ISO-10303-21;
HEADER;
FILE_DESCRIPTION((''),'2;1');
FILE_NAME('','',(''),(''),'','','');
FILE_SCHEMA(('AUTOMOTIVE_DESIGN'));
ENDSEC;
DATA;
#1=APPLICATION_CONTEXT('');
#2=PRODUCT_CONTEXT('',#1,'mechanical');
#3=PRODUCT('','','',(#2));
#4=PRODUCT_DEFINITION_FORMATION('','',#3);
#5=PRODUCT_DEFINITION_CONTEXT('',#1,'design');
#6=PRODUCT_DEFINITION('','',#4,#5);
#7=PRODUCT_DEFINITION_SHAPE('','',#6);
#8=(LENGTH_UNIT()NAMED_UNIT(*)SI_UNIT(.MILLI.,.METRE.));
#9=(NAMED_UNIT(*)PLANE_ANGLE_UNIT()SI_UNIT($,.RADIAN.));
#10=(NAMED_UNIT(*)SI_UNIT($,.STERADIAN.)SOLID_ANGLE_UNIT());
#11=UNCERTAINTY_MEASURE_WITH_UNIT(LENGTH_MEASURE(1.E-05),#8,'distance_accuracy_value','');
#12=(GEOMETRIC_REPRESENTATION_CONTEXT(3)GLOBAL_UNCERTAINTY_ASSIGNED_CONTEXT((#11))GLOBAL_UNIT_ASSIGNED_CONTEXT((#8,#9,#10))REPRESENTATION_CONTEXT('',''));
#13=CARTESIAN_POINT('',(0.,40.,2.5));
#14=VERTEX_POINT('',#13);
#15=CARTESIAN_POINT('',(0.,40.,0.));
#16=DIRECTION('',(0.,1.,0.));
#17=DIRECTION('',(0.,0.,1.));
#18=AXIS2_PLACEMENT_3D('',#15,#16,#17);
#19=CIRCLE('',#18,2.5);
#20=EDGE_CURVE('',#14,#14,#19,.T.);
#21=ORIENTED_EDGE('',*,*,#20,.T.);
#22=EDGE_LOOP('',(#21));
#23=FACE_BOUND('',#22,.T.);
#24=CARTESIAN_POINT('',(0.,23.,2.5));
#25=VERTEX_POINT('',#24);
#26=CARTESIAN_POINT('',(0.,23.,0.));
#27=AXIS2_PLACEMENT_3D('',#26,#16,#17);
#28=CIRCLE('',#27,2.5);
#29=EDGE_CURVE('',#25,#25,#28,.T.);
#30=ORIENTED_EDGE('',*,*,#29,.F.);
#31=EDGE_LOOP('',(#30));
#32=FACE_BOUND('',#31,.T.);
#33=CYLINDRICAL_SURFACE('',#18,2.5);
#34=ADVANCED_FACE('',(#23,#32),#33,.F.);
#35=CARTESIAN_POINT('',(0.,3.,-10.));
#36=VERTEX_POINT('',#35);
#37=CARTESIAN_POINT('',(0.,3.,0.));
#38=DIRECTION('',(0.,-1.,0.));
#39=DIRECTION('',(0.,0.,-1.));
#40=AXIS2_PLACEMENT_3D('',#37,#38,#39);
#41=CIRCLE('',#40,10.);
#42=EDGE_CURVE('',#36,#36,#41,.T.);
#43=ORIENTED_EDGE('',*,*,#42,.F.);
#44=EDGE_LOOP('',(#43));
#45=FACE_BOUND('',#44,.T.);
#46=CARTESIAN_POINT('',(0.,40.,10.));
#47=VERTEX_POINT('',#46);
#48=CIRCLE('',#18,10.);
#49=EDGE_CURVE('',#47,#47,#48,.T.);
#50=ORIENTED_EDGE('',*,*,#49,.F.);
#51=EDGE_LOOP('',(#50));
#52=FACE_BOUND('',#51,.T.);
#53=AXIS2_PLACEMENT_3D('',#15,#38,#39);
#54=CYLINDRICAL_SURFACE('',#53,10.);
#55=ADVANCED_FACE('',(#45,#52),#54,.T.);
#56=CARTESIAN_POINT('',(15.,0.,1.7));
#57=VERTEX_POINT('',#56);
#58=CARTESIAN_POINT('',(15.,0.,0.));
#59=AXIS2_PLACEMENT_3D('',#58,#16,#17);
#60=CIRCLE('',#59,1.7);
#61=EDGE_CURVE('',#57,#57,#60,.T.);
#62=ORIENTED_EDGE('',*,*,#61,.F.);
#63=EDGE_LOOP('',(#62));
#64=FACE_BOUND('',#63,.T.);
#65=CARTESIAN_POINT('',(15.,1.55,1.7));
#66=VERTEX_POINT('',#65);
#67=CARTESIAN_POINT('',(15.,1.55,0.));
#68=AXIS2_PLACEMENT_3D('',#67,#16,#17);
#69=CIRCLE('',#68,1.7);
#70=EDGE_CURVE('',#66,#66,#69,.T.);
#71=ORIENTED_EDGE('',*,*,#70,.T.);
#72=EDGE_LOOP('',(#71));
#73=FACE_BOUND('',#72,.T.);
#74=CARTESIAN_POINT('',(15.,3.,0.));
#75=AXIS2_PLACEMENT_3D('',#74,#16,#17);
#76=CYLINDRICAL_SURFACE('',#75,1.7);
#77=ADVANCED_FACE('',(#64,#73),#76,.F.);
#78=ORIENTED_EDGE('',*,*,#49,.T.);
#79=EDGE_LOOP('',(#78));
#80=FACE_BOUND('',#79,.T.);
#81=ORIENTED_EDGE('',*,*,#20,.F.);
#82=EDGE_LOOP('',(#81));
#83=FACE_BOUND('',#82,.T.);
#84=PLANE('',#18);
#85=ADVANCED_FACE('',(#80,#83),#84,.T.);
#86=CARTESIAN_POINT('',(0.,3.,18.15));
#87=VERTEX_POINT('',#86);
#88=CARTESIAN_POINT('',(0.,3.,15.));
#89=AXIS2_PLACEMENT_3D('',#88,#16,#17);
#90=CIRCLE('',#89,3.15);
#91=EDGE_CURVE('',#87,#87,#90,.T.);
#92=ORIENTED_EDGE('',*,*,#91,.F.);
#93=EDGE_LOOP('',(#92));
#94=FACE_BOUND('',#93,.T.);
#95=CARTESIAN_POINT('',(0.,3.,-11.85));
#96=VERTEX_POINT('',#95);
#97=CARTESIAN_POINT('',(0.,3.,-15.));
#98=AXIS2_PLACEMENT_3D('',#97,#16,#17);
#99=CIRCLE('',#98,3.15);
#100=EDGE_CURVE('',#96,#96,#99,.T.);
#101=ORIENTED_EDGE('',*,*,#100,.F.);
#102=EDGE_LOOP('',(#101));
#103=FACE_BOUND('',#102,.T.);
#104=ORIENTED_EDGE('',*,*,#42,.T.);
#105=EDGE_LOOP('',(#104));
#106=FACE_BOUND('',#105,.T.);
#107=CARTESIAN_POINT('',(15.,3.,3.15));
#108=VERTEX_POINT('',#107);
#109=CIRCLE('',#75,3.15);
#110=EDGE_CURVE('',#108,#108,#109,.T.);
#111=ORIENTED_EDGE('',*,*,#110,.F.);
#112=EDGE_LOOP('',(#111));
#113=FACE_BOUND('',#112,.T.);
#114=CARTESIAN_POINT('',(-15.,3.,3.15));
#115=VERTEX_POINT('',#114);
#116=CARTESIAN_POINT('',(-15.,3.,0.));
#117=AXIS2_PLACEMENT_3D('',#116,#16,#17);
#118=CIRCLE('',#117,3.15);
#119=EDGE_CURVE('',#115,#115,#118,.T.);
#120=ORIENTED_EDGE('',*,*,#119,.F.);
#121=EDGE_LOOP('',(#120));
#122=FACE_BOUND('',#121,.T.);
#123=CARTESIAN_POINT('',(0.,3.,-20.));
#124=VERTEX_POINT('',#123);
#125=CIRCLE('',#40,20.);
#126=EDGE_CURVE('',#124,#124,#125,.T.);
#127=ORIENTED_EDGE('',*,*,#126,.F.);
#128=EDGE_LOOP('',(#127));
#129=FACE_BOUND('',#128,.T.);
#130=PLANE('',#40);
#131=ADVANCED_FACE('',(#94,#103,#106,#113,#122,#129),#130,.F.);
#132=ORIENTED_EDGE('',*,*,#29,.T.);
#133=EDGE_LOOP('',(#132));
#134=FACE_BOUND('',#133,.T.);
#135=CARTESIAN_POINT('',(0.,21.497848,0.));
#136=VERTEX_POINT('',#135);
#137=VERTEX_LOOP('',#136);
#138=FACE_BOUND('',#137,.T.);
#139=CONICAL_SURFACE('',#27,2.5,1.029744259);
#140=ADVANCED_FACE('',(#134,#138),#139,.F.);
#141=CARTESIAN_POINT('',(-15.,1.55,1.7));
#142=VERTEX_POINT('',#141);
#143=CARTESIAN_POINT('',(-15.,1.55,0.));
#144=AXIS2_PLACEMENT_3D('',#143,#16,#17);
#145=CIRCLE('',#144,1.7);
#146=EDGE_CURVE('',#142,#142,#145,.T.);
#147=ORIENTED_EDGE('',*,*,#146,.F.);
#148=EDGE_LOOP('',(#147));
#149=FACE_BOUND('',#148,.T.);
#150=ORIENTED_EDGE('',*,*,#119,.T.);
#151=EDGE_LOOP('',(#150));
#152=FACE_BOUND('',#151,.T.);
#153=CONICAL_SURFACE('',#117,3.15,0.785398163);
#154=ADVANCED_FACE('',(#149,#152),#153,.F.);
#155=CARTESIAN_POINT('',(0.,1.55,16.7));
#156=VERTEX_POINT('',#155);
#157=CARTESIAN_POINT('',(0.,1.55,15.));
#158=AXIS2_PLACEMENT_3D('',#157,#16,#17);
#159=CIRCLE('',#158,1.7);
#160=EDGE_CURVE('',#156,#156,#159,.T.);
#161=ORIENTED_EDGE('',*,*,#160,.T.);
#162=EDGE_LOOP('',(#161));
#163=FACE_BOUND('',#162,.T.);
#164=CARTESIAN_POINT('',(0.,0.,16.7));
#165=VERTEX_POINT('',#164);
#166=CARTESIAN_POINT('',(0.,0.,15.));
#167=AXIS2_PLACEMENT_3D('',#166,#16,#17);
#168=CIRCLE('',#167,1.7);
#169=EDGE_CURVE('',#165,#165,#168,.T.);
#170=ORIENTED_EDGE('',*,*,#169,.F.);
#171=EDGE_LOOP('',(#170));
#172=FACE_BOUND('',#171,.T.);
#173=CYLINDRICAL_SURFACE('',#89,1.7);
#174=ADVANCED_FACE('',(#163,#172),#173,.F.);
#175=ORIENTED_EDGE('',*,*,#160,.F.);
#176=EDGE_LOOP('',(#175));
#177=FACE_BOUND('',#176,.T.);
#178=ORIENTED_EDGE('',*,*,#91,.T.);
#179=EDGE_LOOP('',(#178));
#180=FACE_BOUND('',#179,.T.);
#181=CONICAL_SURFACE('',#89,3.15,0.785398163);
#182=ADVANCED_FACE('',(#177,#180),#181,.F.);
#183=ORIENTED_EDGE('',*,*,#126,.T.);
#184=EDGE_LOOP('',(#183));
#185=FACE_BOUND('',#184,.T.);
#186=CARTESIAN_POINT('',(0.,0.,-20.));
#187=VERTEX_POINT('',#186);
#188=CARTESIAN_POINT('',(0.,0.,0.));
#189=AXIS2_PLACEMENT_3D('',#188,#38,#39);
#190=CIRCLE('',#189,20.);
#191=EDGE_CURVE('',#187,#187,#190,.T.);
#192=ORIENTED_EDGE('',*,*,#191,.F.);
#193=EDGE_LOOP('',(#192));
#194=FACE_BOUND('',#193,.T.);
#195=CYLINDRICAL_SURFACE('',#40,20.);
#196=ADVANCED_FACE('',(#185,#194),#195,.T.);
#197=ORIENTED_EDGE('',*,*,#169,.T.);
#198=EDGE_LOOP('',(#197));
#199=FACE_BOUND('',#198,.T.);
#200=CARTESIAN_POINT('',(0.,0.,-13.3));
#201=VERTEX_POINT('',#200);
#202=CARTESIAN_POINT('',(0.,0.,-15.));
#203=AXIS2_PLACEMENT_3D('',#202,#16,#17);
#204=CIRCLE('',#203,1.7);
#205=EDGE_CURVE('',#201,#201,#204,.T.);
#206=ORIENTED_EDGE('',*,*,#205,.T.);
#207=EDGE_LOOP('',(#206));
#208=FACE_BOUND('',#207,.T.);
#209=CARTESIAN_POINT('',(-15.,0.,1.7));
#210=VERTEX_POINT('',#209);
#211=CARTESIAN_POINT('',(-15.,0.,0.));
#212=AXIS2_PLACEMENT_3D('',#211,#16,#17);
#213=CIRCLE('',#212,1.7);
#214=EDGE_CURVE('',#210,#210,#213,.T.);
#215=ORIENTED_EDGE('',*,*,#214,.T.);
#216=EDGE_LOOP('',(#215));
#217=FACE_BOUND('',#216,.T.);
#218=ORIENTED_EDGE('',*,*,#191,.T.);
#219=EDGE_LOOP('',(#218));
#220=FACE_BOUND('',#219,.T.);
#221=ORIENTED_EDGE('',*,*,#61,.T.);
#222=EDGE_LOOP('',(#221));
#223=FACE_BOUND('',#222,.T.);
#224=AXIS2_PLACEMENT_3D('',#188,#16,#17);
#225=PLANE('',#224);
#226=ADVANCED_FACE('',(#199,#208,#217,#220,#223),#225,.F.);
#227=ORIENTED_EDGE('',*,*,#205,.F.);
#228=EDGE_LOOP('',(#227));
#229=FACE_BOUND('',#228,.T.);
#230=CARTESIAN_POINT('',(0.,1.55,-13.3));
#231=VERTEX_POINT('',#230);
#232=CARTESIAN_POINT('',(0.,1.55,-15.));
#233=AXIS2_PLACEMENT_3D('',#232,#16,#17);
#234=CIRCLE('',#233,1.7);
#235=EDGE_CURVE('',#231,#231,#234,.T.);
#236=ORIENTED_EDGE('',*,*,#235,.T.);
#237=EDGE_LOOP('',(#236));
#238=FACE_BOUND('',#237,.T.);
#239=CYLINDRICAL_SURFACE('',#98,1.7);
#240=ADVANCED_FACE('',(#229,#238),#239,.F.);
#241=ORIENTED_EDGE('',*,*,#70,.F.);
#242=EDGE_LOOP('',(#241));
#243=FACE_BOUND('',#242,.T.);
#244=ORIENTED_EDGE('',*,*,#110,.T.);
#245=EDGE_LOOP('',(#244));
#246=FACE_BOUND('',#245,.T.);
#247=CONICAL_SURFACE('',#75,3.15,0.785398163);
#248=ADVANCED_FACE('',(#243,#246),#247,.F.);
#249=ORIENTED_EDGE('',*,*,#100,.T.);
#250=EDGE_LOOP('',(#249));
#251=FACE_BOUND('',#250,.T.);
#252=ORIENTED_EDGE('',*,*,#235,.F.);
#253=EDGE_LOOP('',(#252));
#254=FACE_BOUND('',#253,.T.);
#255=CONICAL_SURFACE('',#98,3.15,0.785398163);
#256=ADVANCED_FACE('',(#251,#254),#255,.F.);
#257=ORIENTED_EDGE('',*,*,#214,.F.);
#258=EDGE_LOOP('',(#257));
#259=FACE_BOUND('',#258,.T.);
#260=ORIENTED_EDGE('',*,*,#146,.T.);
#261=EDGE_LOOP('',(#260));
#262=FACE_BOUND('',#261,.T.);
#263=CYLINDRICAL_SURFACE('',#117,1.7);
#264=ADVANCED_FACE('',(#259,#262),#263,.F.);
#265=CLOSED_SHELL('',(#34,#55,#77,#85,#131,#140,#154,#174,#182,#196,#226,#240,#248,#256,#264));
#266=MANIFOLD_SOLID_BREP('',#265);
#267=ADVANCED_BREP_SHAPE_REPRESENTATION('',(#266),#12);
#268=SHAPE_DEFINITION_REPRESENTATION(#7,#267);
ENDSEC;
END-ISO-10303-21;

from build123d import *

# Parameters (mm, degrees)
SKETCH1_R             = 10
BOSS_EXTRUDE1_DEPTH   = 40
SKETCH2_R             = 20
BOSS_EXTRUDE2_DEPTH   = 3
CIRPATTERN1_COUNT     = 4
M6_TAPPED_HOLE1_D     = 5
M6_TAPPED_HOLE1_DEPTH = 17
M6_TAPPED_HOLE1_TIP   = 1.502151548


with BuildPart() as part:
    # Sketch1 → Boss-Extrude1 (new body)
    with BuildSketch(Plane(origin=(0, 0, 0), x_dir=(1, 0, 0), z_dir=(0, 1, 0))):
        with Locations(Location((0, 0, 0), (0, 0, 270))):
            Circle(SKETCH1_R)
    extrude(amount=BOSS_EXTRUDE1_DEPTH)

    # Sketch2 → Boss-Extrude2 (add)
    with BuildSketch(Plane.XZ):
        with Locations(Location((0, 0, 0), (0, 0, 270))):
            Circle(SKETCH2_R)
    extrude(amount=-BOSS_EXTRUDE2_DEPTH)

    # Sketch3 → CSK for M3 Countersunk Flat Head Screw1 (revolve, cut)
    with BuildSketch(Plane(origin=(0, 3, -15), x_dir=(0, 0, 1), z_dir=(1, 0, 0))):
        Polygon((0, 0), (0, 3), (1.7, 3), (1.7, 1.45), (3.15, 0), align=None)
    csk_for_m3_countersunk_flat_head_screw1 = revolve(axis=Axis((0, 9.35, -15), (0, -1, 0)), mode=Mode.SUBTRACT)

    # CirPattern1: CSK for M3 Countersunk Flat Head Screw1 ×4 about axis
    cirpattern1_axis = Axis((0, 0, 0), (0, 1, 0))
    for i in range(1, CIRPATTERN1_COUNT):
        add(csk_for_m3_countersunk_flat_head_screw1.rotate(cirpattern1_axis, i * 360 / CIRPATTERN1_COUNT), mode=Mode.SUBTRACT)

    # M6 Tapped Hole1
    with Locations(Plane(origin=(0, 40, 0), x_dir=(1, 0, 0), z_dir=(0, 1, 0))):
        with Locations((0, 0)):
            Hole(M6_TAPPED_HOLE1_D / 2, depth=M6_TAPPED_HOLE1_DEPTH)
            with Locations((0, 0, -(M6_TAPPED_HOLE1_DEPTH + M6_TAPPED_HOLE1_TIP / 2))):  # 118° drill point
                Cone(0, M6_TAPPED_HOLE1_D / 2, M6_TAPPED_HOLE1_TIP, mode=Mode.SUBTRACT)


solid = part.part
